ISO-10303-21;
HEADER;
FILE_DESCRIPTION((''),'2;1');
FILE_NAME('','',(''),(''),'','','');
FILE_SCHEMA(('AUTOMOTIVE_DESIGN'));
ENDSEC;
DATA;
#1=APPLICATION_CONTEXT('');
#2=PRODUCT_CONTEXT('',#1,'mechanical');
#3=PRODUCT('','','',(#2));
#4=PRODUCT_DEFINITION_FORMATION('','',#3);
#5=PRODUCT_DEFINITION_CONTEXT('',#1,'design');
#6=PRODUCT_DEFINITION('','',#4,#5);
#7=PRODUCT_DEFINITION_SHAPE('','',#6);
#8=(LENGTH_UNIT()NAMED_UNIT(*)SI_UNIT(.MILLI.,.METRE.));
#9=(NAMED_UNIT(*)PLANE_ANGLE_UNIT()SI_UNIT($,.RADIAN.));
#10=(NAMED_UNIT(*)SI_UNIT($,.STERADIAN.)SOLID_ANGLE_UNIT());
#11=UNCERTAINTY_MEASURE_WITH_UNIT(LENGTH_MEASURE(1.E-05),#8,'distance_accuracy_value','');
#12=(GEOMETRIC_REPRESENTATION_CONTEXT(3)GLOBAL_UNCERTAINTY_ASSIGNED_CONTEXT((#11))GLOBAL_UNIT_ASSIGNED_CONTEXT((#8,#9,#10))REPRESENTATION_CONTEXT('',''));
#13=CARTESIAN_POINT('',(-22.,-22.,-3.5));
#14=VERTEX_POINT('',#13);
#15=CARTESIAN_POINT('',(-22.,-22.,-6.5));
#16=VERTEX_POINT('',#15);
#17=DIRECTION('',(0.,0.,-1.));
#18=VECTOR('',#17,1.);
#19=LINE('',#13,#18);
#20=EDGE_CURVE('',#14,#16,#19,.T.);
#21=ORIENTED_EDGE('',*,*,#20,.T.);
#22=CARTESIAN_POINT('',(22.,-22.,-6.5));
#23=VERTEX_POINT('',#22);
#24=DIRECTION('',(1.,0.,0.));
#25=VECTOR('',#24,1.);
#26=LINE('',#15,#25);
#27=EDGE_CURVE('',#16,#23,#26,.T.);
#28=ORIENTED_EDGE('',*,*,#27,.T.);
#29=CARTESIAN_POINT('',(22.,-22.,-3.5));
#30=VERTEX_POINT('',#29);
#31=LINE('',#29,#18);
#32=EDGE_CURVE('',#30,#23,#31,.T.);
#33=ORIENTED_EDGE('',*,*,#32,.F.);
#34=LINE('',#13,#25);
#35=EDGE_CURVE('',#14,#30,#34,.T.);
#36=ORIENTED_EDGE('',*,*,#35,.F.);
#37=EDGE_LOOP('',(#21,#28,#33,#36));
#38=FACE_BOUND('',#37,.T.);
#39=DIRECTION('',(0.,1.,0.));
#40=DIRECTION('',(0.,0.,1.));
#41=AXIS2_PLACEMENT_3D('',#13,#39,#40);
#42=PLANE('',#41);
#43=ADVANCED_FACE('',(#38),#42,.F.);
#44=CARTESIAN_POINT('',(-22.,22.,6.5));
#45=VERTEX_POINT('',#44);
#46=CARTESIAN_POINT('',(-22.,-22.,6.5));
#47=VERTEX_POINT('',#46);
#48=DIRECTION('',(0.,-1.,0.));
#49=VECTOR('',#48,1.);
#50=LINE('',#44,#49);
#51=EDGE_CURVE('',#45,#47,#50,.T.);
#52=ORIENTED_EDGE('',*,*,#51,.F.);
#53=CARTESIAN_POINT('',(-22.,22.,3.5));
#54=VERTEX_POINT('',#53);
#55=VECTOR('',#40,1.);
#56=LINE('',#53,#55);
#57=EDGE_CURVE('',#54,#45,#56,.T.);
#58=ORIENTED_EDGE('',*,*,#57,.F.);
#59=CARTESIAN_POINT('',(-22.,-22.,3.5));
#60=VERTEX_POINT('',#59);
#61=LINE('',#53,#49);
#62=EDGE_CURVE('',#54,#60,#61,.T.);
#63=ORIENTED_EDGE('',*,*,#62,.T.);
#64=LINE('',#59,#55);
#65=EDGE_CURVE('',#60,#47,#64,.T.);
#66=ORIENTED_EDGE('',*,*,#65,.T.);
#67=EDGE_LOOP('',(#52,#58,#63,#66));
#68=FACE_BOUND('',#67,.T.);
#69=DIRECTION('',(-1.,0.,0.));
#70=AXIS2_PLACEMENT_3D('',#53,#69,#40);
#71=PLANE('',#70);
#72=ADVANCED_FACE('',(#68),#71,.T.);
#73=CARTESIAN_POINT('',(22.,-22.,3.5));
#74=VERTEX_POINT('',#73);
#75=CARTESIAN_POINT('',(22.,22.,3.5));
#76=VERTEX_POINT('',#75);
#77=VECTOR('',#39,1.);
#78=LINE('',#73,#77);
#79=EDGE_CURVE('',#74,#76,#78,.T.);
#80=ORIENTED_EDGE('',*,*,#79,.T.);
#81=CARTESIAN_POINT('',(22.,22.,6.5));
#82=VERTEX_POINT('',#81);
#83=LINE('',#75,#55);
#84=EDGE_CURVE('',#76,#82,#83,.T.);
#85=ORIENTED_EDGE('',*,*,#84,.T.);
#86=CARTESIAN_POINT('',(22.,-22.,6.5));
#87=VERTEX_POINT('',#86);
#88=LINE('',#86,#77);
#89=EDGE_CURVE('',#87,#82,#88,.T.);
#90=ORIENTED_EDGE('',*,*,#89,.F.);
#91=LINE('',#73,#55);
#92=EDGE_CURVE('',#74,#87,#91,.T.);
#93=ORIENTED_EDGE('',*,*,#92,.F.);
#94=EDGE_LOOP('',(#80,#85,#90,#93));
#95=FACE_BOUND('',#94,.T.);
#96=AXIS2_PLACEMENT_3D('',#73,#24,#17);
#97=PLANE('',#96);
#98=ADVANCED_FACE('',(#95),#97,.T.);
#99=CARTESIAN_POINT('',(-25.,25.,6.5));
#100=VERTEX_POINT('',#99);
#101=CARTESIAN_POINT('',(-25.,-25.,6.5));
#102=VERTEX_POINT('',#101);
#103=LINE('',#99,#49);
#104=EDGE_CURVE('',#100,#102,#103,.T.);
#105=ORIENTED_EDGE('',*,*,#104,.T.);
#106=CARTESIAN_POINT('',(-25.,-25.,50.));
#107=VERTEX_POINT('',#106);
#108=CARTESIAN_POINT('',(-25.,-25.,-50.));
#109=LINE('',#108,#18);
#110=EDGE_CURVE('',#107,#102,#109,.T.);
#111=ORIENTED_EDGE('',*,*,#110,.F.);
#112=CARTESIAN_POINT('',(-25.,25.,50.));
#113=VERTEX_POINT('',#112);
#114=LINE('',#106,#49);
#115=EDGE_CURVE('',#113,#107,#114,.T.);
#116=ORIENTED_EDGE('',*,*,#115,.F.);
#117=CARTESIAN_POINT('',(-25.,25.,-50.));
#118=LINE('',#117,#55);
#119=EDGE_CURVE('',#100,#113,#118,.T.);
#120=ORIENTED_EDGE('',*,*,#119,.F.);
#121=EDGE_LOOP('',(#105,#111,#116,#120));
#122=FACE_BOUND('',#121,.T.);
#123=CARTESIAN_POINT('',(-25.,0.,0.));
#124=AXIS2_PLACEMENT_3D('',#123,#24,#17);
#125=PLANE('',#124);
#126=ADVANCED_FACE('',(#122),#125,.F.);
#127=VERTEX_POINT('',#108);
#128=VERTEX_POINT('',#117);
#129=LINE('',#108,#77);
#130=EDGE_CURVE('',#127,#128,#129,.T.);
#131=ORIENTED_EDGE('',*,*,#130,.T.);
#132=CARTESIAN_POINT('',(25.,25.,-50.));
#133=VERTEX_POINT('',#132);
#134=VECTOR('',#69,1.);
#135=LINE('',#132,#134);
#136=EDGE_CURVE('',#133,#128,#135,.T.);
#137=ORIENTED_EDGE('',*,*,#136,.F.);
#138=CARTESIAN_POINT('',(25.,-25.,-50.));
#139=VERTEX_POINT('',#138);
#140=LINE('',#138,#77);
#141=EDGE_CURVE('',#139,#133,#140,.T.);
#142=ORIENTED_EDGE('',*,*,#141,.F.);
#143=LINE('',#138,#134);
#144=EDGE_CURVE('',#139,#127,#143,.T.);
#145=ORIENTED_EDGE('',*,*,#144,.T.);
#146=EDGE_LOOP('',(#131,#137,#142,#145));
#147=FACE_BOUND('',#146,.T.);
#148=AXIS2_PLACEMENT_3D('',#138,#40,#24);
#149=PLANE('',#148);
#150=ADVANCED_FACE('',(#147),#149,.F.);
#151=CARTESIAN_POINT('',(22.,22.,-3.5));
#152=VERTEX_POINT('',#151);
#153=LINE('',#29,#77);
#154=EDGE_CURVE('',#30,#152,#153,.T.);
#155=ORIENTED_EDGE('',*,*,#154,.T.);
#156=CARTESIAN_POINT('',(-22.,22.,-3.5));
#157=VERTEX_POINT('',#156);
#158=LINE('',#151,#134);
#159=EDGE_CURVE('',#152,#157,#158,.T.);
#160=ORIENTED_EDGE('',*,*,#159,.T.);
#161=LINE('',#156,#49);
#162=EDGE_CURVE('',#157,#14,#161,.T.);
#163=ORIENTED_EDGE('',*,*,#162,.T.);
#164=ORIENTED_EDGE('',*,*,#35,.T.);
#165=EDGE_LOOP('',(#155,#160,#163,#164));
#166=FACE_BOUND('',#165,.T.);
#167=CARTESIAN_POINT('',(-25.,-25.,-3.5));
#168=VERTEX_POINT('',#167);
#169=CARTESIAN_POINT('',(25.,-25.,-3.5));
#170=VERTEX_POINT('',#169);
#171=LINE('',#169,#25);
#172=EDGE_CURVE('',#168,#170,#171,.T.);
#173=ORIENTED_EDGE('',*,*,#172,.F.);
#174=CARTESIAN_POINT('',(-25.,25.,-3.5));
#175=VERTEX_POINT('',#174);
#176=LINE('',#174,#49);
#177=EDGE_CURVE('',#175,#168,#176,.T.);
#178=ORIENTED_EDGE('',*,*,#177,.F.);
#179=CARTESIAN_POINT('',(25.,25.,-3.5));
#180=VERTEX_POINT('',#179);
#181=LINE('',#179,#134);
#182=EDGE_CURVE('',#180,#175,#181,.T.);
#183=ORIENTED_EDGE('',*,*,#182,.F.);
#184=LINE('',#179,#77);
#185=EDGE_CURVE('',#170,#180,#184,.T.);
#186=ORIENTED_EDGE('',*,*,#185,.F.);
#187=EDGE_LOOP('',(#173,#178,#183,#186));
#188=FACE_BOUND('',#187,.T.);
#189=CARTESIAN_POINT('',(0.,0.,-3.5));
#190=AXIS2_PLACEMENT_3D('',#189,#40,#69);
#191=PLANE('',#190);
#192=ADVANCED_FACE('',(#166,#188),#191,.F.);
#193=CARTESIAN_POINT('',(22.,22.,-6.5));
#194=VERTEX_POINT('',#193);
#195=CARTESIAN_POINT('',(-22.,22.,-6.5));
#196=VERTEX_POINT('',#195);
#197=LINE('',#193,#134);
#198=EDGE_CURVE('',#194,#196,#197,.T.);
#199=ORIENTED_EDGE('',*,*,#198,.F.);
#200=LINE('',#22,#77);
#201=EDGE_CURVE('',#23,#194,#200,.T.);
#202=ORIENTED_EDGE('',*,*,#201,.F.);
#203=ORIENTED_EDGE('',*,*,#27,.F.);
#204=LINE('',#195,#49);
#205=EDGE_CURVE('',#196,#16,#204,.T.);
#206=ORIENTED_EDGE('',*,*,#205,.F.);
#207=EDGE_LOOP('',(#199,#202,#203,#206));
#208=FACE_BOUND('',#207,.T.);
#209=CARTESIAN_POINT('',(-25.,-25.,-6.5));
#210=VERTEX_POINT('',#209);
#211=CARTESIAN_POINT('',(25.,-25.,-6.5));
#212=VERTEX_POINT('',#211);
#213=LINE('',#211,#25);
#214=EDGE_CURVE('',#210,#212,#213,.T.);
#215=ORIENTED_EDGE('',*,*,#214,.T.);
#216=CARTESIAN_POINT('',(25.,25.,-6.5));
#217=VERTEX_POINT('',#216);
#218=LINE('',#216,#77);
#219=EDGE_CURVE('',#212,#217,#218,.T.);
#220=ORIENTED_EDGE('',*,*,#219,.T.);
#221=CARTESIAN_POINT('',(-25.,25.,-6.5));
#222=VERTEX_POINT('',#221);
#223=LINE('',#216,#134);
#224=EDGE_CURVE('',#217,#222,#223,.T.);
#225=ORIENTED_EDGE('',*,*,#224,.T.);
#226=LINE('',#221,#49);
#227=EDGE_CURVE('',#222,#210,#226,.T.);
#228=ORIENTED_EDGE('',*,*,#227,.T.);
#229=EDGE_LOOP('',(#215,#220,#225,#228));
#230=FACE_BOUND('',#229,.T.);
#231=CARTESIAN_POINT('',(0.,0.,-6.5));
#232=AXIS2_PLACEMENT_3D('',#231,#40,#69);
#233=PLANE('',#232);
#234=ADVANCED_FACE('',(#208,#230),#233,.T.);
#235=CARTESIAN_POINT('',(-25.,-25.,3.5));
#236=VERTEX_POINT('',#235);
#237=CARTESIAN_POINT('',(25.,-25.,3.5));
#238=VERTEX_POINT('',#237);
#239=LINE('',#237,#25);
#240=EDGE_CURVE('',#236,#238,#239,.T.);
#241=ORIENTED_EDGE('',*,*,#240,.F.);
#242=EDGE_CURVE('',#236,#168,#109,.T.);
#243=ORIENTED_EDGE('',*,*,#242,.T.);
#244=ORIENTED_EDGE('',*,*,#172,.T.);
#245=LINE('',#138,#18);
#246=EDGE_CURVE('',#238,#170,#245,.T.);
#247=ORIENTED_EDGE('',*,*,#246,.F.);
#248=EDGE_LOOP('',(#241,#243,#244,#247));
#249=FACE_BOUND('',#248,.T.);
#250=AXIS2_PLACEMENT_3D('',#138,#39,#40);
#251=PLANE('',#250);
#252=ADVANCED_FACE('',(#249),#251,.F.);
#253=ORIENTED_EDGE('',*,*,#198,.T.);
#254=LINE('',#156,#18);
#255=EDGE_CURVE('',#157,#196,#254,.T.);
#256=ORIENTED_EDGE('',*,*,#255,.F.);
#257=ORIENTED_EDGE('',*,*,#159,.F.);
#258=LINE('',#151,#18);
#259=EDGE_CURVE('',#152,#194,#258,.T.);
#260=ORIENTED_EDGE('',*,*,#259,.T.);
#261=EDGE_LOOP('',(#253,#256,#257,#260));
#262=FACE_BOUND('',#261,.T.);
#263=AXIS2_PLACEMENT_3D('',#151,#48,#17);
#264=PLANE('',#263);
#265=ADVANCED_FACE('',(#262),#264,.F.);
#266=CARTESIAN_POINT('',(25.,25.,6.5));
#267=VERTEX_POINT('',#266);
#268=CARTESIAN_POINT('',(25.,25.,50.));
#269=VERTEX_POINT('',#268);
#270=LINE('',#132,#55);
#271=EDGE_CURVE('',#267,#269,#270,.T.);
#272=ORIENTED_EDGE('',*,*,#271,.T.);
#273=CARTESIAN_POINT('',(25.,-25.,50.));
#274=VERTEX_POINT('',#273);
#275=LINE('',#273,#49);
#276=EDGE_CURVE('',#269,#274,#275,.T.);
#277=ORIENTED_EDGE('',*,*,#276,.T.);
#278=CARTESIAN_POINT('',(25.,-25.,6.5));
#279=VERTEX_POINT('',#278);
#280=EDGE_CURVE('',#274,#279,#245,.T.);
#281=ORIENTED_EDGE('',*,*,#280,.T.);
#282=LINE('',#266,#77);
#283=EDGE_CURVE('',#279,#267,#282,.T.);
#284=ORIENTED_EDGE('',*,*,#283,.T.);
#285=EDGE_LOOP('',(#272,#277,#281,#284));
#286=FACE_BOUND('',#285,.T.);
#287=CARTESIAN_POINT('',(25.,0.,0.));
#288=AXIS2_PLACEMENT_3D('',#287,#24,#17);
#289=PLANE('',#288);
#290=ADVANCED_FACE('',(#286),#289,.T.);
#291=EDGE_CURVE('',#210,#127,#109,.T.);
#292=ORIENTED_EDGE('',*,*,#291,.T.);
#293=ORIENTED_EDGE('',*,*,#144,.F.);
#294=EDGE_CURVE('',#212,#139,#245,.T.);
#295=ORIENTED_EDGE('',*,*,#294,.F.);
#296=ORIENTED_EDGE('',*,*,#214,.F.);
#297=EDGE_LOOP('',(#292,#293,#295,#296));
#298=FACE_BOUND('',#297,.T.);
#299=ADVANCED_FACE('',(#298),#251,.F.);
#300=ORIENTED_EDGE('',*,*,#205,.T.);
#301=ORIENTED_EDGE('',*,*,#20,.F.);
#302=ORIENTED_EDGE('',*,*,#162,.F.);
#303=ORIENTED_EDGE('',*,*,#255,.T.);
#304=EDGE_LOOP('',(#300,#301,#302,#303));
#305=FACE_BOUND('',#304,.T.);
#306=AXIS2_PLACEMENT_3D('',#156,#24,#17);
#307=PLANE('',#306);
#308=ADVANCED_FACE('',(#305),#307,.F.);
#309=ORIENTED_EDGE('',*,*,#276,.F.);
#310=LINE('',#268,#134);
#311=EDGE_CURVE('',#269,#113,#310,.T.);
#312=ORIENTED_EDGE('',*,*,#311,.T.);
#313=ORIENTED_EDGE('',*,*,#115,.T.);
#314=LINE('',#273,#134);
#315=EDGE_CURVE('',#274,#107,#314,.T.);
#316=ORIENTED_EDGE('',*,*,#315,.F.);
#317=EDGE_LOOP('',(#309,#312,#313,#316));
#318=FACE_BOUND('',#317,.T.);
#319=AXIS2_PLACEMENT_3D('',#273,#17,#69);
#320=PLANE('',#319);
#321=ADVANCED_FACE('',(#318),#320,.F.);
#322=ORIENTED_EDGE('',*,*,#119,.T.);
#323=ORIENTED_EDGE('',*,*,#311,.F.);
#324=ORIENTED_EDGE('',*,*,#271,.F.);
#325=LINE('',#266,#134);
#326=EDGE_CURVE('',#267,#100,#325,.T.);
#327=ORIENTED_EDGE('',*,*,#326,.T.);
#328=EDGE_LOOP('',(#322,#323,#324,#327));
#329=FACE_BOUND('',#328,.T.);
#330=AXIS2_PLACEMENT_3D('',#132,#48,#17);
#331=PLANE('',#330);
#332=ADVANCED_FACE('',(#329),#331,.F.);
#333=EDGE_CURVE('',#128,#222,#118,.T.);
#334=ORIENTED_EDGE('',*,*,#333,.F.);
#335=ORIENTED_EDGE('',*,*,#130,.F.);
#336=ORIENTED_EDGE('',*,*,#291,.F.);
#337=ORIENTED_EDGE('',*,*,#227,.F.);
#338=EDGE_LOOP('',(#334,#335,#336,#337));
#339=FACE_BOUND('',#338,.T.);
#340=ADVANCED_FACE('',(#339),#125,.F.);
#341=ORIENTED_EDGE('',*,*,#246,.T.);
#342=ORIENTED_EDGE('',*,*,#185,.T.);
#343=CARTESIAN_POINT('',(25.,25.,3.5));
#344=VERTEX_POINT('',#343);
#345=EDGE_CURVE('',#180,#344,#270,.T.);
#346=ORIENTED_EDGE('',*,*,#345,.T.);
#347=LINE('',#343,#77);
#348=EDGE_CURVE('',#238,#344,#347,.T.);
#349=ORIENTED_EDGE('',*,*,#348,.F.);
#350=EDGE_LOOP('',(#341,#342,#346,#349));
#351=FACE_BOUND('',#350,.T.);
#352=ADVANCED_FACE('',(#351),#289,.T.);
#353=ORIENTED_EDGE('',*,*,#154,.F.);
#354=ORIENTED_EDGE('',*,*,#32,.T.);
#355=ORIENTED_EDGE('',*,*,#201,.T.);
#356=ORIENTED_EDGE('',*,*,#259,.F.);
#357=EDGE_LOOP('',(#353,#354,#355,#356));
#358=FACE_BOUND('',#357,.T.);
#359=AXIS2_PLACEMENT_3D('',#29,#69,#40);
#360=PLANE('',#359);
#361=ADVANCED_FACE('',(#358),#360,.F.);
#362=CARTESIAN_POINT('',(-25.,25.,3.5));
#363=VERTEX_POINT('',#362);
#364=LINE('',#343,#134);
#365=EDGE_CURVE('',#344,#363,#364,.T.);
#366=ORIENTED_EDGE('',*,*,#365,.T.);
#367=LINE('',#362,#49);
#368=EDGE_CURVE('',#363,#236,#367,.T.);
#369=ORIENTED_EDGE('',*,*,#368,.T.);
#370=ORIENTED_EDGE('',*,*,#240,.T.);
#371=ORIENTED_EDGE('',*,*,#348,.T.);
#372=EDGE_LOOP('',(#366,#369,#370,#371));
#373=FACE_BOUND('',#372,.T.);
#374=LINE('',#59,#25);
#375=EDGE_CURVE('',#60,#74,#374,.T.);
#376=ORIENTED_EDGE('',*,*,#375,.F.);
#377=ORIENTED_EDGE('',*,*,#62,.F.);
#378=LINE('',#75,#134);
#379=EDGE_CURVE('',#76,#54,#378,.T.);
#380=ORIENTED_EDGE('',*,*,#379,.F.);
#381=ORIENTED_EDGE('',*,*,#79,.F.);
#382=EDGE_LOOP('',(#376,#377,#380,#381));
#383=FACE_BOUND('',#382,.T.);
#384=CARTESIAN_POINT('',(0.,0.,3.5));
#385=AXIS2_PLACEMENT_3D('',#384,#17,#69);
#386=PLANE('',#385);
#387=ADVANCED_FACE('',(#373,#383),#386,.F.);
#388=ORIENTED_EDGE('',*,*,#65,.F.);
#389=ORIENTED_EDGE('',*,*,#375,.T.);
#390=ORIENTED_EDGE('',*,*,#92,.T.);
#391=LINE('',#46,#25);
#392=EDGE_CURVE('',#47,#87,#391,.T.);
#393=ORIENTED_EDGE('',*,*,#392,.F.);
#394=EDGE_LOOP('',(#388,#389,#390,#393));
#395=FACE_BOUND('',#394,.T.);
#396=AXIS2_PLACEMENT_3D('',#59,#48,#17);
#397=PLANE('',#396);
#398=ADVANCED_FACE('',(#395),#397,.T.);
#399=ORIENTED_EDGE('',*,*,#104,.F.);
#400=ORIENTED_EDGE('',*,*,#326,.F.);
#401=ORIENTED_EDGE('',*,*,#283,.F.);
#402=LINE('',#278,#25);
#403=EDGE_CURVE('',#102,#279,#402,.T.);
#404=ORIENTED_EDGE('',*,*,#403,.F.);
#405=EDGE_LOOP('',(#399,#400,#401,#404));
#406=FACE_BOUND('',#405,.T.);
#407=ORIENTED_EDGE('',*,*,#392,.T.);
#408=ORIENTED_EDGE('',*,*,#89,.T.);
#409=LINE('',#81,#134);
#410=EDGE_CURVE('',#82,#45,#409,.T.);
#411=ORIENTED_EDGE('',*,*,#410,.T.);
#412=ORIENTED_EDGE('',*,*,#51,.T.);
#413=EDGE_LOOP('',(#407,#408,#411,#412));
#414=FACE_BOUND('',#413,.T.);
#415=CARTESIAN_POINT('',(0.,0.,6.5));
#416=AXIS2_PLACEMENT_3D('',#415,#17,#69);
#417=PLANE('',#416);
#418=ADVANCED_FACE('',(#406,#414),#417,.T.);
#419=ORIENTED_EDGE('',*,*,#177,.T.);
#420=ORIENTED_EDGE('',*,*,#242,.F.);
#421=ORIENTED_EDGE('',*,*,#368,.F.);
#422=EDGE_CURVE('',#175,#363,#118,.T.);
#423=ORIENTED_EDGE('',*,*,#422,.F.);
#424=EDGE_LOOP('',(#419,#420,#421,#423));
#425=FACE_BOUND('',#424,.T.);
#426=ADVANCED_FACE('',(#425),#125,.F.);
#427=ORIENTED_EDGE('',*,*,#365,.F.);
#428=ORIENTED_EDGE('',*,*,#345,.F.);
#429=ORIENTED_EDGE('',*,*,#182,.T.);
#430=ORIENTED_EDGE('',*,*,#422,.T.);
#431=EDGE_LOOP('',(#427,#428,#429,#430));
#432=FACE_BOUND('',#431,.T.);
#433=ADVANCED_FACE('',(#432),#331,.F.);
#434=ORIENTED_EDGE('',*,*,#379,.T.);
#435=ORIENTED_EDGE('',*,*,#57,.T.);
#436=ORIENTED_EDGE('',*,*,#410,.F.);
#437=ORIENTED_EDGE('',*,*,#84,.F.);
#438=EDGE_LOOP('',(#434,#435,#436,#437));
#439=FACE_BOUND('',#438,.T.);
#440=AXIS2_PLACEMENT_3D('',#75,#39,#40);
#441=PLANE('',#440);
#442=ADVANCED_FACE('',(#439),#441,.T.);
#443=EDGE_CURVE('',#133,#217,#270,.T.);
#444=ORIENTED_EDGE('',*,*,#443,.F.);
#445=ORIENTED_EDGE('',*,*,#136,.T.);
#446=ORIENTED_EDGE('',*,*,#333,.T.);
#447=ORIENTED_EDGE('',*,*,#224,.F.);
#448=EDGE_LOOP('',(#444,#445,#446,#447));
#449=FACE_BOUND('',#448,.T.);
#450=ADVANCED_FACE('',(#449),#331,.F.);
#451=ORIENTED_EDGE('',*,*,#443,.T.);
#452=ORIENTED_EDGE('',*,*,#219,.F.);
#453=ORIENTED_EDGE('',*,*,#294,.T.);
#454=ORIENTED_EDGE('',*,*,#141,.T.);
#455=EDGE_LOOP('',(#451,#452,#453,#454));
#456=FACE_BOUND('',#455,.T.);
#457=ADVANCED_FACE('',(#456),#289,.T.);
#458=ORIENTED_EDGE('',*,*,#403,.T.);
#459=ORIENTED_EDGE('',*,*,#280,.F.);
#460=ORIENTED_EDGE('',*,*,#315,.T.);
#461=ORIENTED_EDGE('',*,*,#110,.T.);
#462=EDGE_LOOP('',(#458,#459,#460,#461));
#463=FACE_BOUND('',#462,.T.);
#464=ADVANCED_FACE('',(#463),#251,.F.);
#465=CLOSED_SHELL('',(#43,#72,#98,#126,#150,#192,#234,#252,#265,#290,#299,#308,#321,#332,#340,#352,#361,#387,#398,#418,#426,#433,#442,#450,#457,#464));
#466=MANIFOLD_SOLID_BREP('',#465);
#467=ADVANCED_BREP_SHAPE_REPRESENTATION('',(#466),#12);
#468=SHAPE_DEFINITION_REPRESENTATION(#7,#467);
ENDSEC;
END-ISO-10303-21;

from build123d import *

# Parameters (mm, degrees)
SKETCH1_W           = 100
SKETCH1_H           = 50
BOSS_EXTRUDE1_DEPTH = 25
SKETCH2_W           = 50
SKETCH2_H           = 50
SKETCH2_W_2         = 44
SKETCH2_H_2         = 44
CUT_EXTRUDE1_DEPTH  = 1.5


with BuildPart() as part:
    # Sketch1 → Boss-Extrude1 (new, symmetric)
    with BuildSketch(Plane(origin=(0, 0, 0), x_dir=(0, 0, -1), z_dir=(1, 0, 0))):
        Rectangle(SKETCH1_W, SKETCH1_H)
    extrude(amount=BOSS_EXTRUDE1_DEPTH, both=True)

    # Sketch2 → Cut-Extrude1 (cut, symmetric)
    with BuildSketch(Plane.XY.offset(5)):
        Rectangle(SKETCH2_W, SKETCH2_H)
        Rectangle(SKETCH2_W_2, SKETCH2_H_2, mode=Mode.SUBTRACT)
    cut_extrude1 = extrude(amount=CUT_EXTRUDE1_DEPTH, both=True, mode=Mode.SUBTRACT)

    # Mirror1: Cut-Extrude1 across plane
    add(cut_extrude1.mirror(Plane.XY), mode=Mode.SUBTRACT)


solid = part.part
